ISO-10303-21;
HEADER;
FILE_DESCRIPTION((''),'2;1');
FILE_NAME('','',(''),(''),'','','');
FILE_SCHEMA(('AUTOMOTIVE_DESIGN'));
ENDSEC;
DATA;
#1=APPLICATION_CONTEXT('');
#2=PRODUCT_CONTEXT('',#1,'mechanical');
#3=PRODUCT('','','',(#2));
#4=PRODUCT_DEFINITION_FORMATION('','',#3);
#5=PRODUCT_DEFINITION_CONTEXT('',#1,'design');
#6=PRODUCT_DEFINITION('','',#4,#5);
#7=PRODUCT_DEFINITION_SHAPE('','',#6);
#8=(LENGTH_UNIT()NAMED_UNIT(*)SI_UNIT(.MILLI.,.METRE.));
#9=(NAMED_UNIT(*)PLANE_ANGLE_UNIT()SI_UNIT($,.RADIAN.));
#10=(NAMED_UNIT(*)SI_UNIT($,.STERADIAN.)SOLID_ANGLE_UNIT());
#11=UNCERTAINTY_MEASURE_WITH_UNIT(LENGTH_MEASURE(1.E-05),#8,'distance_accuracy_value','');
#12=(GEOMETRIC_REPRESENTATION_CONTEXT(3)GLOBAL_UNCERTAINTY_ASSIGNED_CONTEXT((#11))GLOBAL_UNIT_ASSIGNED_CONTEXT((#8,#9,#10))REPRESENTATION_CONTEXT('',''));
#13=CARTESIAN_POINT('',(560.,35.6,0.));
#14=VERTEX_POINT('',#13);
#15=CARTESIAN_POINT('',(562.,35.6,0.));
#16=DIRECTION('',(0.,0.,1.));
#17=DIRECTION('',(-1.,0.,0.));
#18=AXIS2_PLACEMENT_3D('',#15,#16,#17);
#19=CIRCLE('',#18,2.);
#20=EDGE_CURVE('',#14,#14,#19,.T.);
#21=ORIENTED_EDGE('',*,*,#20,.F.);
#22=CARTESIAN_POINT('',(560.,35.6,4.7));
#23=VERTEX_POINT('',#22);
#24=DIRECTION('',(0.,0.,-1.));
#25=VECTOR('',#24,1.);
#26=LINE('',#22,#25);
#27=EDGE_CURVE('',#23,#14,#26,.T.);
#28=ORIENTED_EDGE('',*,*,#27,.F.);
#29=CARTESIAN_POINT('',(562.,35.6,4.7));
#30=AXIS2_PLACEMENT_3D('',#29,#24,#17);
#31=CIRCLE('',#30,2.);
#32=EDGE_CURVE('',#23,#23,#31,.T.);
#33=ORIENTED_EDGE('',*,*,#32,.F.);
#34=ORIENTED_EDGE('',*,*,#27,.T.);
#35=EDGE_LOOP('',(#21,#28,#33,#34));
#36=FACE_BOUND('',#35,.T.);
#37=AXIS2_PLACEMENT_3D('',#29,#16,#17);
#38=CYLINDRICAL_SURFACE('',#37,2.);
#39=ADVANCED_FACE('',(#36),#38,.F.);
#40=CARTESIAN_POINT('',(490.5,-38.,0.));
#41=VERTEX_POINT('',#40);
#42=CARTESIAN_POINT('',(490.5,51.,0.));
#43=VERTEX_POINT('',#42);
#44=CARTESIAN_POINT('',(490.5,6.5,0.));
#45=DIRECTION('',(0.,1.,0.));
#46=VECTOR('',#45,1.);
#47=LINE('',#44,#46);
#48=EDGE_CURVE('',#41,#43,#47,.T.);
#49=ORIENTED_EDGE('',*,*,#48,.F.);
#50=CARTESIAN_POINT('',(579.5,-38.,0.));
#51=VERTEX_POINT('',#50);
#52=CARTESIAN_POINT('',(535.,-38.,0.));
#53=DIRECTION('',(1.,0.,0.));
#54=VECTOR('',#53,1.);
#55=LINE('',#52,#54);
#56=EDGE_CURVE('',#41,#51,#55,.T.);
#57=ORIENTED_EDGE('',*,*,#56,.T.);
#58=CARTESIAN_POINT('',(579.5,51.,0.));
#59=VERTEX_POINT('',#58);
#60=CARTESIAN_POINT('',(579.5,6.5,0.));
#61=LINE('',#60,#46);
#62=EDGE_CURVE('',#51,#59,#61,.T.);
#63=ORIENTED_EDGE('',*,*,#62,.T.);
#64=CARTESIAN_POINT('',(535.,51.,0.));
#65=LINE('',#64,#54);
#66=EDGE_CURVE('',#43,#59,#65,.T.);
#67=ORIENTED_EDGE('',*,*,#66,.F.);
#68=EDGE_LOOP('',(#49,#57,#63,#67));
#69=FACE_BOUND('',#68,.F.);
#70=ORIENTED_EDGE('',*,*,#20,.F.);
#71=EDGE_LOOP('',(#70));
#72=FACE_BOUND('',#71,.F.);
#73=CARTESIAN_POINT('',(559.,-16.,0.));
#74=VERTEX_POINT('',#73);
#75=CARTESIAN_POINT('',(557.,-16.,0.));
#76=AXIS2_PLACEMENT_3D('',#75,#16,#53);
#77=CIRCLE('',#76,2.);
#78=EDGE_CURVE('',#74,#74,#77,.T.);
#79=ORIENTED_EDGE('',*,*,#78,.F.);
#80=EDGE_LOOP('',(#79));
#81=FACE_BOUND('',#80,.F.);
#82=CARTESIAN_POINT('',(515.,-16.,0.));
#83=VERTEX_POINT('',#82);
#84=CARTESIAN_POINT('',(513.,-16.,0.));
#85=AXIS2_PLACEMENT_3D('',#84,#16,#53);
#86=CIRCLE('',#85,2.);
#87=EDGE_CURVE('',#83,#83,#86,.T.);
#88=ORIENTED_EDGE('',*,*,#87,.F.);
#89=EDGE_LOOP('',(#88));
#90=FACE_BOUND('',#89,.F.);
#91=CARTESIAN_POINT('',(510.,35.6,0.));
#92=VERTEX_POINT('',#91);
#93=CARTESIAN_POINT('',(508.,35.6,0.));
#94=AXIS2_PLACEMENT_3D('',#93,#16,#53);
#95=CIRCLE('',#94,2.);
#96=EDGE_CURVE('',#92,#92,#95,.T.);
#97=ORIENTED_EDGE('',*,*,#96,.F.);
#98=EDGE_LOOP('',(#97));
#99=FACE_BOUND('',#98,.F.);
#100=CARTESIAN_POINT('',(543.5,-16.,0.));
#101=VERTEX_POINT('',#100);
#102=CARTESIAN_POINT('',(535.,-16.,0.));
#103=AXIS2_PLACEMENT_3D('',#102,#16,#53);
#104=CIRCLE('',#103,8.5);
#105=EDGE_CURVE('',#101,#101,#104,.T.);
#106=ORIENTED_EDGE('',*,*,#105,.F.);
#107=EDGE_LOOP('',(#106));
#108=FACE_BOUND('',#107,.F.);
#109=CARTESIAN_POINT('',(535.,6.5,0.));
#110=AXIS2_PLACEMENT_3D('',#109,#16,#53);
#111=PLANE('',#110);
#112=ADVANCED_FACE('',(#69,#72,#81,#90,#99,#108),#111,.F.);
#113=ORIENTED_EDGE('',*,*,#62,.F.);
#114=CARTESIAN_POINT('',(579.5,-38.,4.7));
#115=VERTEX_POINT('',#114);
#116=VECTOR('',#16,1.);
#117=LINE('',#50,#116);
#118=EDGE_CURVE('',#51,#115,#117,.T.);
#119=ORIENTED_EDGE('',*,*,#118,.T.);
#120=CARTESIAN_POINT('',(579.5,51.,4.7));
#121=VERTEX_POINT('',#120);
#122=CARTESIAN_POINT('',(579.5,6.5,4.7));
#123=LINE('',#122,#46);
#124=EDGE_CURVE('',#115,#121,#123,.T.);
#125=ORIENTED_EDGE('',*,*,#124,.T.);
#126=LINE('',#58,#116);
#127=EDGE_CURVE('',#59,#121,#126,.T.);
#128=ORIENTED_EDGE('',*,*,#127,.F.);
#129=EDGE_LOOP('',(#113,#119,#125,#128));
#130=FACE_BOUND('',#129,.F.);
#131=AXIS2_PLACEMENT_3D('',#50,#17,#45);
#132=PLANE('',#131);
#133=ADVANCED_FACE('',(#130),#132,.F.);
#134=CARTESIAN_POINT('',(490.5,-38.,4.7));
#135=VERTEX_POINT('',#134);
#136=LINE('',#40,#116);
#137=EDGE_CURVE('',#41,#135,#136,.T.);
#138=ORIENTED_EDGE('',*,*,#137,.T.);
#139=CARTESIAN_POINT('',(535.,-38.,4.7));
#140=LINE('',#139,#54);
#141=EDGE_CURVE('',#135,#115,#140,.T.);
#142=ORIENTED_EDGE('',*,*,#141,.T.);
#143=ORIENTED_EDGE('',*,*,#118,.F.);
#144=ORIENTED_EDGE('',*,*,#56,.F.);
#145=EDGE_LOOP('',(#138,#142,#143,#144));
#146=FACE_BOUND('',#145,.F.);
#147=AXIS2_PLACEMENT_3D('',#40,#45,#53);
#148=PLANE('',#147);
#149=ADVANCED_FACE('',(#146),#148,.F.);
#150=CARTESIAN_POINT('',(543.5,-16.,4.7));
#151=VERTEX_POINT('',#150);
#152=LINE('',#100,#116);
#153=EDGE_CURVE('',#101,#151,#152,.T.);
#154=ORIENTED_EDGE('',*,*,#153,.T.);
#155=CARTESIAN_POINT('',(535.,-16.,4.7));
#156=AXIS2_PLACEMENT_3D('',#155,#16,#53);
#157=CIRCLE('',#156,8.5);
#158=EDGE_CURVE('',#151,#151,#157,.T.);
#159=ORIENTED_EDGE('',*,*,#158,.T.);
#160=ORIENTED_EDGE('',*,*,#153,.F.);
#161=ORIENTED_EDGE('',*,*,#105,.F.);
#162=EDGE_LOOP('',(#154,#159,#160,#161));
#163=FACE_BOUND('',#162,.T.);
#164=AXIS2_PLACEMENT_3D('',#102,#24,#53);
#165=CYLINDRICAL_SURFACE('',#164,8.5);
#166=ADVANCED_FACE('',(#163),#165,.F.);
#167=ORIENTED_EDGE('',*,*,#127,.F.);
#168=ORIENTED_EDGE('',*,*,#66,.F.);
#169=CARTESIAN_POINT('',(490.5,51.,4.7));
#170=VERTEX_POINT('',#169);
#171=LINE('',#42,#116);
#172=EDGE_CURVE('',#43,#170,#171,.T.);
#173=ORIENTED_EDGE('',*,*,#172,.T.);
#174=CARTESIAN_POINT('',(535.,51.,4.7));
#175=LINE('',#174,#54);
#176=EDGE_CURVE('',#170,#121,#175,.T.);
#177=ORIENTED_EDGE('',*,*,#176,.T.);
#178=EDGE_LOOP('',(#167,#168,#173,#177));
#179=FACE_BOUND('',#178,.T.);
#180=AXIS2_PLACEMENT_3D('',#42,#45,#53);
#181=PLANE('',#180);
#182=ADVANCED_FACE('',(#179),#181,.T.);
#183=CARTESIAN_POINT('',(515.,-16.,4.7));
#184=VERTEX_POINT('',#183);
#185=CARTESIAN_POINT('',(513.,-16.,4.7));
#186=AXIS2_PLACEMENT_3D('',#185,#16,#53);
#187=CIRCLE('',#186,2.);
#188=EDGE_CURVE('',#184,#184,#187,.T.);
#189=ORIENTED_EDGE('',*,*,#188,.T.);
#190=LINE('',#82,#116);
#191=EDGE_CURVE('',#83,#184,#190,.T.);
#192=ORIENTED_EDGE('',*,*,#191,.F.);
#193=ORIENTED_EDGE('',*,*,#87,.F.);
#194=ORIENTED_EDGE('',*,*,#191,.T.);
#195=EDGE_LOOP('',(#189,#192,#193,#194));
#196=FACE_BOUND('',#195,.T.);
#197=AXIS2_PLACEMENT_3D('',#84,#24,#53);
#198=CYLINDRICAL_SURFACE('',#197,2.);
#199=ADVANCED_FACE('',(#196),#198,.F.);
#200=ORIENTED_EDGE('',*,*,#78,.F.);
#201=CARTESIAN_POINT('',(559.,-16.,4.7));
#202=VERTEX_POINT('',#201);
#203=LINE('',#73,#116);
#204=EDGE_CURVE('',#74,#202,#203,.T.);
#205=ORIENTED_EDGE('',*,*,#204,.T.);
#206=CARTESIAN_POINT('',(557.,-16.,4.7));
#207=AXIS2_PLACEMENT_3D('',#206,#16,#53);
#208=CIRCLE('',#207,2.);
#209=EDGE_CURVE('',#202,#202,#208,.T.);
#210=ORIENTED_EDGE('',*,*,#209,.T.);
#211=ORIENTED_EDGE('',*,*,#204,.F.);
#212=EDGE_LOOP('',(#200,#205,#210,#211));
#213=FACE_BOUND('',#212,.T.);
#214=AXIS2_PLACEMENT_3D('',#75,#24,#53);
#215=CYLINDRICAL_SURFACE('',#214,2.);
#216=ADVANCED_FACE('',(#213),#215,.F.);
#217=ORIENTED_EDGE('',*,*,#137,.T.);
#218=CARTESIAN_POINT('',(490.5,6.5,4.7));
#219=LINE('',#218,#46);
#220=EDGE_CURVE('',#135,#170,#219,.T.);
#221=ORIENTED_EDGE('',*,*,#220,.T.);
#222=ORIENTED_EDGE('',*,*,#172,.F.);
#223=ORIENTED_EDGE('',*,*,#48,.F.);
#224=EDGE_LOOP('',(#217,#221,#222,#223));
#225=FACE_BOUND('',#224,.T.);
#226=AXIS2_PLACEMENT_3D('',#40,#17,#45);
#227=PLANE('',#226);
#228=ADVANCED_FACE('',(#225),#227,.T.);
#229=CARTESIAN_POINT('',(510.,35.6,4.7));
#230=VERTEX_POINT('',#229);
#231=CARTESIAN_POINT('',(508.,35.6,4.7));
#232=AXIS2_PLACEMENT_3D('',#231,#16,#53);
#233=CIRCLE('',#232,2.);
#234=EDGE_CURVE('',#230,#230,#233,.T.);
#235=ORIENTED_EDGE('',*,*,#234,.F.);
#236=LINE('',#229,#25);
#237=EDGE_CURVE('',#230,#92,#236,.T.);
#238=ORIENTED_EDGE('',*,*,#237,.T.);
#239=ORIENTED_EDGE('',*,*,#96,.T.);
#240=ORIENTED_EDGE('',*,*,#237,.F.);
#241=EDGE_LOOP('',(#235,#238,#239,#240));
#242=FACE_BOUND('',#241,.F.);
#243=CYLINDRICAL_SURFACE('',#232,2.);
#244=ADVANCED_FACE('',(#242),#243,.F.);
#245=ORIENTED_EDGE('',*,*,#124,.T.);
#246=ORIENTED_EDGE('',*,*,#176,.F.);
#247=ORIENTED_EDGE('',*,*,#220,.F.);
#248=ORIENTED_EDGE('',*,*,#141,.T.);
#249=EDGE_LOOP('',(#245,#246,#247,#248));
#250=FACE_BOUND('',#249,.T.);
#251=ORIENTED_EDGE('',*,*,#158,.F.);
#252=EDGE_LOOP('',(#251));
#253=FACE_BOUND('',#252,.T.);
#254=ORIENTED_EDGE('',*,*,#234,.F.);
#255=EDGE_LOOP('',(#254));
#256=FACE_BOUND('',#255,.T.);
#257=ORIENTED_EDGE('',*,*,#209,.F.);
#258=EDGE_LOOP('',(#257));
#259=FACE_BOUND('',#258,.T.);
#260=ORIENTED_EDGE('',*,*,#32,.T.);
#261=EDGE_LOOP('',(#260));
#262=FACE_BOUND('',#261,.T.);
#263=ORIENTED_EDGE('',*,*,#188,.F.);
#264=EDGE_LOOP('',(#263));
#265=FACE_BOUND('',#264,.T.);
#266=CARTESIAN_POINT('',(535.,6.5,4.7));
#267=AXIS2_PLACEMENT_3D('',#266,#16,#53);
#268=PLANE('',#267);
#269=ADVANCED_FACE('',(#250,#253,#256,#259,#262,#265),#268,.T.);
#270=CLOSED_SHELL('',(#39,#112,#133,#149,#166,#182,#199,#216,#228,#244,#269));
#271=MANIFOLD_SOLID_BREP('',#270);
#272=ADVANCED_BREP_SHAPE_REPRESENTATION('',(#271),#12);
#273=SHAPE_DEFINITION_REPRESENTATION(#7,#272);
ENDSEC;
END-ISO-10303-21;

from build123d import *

# Parameters (mm, degrees)
SKETCH016_W     = 89
SKETCH016_H     = 89
SKETCH016_R     = 8.5
SKETCH016_R_2   = 2
PAD012_DEPTH    = 4.7
SKETCH021_R     = 2
POCKET003_DEPTH = 256.606458


with BuildPart() as part:
    # Sketch016 → Pad012 (new body)
    with BuildSketch(Plane.XY):
        Rectangle(SKETCH016_W, SKETCH016_H)
        with Locations((0, -22.5)):
            Circle(SKETCH016_R, mode=Mode.SUBTRACT)
        with Locations((-22, -22.5)):
            Circle(SKETCH016_R_2, mode=Mode.SUBTRACT)
        with Locations((22, -22.5)):
            Circle(SKETCH016_R_2, mode=Mode.SUBTRACT)
    extrude(amount=PAD012_DEPTH)

    # Sketch021 (on Face9 of Pad012) → Pocket003 (cut, through all)
    with BuildSketch(Plane.XY.offset(4.7)):
        with Locations((-27, 29.1)):
            Circle(SKETCH021_R)
    pocket003 = extrude(amount=-POCKET003_DEPTH, mode=Mode.SUBTRACT)

    # Mirrored002: Pocket003 across Sketch021 V_Axis
    add(pocket003.mirror(Plane(origin=(0, 0, 4.7), x_dir=(0, 0, 1), z_dir=(1, 0, 0))), mode=Mode.SUBTRACT)


with BuildPart() as part_1:
    # Body013 placement: moved
    add(part.part.moved(Location((0, 0, 99))))


with BuildPart() as part_2:
    # Clone006 placement: moved
    add(part_1.part.moved(Location((0, 0, -99))))


with BuildPart() as part_3:
    # Body019 placement: moved
    add(part_2.part.moved(Location((535, 6.5, 0))))


solid = part_3.part
